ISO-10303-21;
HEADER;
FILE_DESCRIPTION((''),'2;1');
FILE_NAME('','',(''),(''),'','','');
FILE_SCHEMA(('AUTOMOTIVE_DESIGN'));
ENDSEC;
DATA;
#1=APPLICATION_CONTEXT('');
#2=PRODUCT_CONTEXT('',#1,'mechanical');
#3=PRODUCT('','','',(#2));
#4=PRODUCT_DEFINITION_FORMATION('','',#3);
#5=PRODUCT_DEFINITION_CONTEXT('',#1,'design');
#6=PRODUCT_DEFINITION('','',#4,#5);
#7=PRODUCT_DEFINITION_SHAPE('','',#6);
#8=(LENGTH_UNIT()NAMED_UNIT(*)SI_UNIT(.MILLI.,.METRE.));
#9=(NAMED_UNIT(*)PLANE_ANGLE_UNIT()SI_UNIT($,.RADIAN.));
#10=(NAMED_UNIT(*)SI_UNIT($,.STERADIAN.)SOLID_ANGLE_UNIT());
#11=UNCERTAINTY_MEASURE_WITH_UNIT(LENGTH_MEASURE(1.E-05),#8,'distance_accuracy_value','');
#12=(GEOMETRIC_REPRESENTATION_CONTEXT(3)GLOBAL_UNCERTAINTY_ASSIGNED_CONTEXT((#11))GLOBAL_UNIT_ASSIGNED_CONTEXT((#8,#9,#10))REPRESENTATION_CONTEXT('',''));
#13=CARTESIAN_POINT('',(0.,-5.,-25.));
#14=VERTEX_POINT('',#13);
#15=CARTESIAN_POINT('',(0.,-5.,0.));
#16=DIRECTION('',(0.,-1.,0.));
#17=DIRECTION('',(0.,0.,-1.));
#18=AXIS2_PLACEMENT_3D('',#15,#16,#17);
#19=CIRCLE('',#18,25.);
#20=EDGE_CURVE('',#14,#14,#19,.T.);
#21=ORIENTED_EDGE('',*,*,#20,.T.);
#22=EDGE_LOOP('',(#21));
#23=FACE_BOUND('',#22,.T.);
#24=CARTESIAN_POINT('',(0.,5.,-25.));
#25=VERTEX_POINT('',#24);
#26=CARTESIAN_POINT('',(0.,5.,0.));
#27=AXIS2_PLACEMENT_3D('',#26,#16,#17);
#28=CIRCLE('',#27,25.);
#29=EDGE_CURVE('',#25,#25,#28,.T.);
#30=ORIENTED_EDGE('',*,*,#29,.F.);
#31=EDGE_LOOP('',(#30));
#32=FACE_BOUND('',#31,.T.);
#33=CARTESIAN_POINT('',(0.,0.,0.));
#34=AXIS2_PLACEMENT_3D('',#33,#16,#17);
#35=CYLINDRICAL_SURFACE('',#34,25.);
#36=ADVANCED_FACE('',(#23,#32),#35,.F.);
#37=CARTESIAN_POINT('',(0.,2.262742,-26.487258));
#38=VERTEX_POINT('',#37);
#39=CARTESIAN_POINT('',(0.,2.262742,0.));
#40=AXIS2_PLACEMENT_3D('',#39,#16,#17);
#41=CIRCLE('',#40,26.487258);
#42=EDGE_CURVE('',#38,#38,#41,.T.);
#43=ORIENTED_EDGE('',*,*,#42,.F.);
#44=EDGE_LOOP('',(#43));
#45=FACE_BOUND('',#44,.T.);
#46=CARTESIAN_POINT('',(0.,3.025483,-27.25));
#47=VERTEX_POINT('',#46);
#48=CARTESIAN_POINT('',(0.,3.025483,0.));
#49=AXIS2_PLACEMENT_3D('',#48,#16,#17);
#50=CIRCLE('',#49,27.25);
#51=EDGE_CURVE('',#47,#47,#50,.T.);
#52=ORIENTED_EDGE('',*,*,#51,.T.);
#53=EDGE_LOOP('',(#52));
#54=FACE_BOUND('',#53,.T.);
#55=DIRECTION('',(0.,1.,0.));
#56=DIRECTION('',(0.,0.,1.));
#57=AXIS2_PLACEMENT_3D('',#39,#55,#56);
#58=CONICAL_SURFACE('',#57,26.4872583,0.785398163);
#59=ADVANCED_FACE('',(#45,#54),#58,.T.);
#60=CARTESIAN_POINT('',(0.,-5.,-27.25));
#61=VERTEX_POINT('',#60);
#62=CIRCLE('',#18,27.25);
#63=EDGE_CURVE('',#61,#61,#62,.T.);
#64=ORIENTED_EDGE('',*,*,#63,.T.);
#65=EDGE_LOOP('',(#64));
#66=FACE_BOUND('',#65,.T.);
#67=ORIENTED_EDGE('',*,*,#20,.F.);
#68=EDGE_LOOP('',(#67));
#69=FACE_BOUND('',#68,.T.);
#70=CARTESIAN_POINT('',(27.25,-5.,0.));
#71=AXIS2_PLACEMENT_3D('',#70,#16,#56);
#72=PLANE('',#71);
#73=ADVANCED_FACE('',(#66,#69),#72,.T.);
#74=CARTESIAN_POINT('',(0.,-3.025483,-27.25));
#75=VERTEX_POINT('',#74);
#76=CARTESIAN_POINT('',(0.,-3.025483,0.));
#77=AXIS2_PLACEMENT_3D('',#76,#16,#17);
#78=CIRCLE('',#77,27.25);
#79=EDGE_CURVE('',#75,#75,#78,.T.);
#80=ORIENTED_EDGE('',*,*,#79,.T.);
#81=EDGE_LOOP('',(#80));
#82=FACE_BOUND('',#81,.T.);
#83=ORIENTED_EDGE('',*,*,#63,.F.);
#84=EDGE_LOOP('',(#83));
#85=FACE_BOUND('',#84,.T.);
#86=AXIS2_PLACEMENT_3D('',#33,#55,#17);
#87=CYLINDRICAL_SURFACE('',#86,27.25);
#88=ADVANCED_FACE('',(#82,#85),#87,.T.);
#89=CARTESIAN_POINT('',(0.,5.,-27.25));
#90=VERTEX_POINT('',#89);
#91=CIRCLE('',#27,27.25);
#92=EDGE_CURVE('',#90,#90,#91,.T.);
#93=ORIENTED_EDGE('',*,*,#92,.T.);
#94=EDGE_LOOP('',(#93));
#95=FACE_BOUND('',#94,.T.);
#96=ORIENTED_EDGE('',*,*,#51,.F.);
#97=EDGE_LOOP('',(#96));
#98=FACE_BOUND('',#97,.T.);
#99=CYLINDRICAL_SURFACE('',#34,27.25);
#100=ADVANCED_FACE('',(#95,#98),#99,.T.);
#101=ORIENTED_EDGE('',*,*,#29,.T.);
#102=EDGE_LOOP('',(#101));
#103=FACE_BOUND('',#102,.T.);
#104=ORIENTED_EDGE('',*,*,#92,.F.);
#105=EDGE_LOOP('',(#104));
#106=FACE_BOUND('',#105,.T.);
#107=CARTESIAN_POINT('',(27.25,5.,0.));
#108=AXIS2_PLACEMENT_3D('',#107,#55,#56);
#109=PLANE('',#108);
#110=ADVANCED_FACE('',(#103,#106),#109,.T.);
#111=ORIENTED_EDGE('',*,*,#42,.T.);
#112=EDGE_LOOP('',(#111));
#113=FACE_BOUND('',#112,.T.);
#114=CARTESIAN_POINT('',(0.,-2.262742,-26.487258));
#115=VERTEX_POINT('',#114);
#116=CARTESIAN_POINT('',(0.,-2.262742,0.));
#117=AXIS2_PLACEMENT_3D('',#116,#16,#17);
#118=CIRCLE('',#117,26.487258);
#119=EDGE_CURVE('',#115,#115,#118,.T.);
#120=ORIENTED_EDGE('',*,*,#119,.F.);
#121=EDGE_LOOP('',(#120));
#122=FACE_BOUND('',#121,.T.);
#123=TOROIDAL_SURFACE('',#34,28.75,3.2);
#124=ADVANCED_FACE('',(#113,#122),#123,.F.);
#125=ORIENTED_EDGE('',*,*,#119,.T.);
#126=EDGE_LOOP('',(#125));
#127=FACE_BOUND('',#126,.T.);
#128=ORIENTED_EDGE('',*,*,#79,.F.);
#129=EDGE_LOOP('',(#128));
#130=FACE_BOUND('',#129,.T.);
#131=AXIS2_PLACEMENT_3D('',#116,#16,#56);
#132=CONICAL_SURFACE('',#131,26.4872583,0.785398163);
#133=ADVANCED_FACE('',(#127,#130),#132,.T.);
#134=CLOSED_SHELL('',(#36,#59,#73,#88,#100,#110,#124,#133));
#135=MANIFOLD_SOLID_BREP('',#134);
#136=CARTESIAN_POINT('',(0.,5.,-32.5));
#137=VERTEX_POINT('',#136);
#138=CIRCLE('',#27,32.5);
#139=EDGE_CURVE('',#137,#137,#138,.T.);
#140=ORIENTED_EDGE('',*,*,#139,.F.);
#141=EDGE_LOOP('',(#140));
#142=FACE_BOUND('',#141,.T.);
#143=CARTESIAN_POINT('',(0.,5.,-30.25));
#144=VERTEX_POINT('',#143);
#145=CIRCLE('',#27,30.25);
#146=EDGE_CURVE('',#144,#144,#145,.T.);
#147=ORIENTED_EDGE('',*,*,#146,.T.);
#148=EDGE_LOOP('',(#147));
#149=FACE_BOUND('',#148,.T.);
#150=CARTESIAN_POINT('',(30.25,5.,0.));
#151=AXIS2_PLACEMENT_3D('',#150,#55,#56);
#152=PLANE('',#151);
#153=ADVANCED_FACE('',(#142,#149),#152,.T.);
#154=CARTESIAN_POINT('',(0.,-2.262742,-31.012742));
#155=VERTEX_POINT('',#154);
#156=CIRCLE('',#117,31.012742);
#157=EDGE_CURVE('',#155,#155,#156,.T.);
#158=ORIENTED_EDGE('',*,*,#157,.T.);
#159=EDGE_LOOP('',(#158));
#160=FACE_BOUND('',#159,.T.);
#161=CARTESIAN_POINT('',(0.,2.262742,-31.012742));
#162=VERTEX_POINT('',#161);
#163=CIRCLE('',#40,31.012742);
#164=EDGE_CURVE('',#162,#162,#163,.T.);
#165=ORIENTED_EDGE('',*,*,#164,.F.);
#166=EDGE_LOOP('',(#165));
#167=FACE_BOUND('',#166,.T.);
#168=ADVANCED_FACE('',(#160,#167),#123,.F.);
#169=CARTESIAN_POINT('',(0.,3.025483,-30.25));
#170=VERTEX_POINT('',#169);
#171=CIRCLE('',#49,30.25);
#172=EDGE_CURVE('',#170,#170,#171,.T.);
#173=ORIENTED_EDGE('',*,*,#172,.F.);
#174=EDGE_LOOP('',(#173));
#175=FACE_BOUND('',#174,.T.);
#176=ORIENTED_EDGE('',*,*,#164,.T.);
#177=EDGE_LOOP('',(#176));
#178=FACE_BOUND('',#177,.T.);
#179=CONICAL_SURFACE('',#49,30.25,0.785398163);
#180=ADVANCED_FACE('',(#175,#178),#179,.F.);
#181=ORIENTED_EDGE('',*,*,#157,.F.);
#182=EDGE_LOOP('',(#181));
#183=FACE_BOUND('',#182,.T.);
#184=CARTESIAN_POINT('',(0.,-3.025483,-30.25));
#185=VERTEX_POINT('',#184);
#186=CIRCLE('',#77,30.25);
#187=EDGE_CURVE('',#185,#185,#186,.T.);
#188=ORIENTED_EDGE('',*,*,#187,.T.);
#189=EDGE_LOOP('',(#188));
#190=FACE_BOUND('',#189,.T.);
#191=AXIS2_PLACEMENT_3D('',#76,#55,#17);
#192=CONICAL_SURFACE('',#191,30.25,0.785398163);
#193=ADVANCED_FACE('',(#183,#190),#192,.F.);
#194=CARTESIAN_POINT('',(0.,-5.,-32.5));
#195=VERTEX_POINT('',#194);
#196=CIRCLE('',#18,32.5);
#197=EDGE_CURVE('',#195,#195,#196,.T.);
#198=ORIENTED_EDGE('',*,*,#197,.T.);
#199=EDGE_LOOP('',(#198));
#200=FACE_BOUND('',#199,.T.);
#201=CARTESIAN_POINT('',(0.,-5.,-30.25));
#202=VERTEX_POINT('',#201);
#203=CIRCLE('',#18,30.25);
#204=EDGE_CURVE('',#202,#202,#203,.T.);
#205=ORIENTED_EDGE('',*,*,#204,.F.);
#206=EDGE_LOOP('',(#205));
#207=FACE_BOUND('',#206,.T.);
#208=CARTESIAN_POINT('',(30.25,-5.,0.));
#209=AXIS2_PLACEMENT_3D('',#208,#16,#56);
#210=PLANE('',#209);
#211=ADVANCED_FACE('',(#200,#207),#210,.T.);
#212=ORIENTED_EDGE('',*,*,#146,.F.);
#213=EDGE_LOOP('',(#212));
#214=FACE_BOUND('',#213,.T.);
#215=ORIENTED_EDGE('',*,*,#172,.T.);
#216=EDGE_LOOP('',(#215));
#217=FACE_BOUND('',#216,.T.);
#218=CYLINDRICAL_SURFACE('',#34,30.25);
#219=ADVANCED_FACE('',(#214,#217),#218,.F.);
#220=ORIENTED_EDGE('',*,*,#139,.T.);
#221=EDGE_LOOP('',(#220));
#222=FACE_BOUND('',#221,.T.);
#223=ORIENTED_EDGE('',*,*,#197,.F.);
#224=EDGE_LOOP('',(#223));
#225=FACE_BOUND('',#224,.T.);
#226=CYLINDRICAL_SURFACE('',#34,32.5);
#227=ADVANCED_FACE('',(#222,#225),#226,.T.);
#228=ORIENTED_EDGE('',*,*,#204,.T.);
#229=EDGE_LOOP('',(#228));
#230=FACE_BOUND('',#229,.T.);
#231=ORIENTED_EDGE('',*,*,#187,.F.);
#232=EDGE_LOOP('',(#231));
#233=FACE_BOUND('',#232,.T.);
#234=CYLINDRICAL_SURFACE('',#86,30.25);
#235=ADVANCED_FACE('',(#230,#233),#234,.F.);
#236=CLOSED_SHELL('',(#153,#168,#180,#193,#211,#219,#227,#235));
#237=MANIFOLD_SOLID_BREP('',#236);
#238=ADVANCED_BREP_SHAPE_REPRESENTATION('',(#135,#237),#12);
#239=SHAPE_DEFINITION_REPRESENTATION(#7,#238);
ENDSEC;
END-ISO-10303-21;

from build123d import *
from build123d.topology import SkipClean


with BuildPart() as part:
    # Sketch2 → Revolve1 (revolve)
    with BuildSketch(Plane.XY, mode=Mode.PRIVATE) as revolve1_sk:
        with BuildLine():
            Line((26.4872583, 2.2627417), (27.25, 3.0254834))
            Line((27.25, 3.0254834), (27.25, 5))
            Line((27.25, 5), (25, 5))
            Line((25, 5), (25, 0))
            Line((25, 0), (25.55, 0))
            ThreePointArc((25.55, 0), (25.793585496, 1.224586984), (26.4872583, 2.2627417))
        make_face()
        with BuildLine():
            Line((30.25, 5), (32.5, 5))
            Line((32.5, 5), (32.5, 0))
            Line((32.5, 0), (31.95, 0))
            ThreePointArc((31.95, 0), (31.706414504, 1.224586984), (31.0127417, 2.2627417))
            Line((31.0127417, 2.2627417), (30.25, 3.0254834))
            Line((30.25, 3.0254834), (30.25, 5))
        make_face()
    revolve(revolve1_sk.sketch.rotate(Axis((0, 0, 0), (0, 1, 0)), 90), axis=Axis((0, 0, 0), (0, 1, 0)))

    # Mirror1: part across plane


with BuildPart() as part_1:
    with SkipClean():  # the faces are left unmerged after this step: merging them gives an invalid solid
        add(part.part)
        add(part.part.mirror(Plane.ZX))


solid = part_1.part
